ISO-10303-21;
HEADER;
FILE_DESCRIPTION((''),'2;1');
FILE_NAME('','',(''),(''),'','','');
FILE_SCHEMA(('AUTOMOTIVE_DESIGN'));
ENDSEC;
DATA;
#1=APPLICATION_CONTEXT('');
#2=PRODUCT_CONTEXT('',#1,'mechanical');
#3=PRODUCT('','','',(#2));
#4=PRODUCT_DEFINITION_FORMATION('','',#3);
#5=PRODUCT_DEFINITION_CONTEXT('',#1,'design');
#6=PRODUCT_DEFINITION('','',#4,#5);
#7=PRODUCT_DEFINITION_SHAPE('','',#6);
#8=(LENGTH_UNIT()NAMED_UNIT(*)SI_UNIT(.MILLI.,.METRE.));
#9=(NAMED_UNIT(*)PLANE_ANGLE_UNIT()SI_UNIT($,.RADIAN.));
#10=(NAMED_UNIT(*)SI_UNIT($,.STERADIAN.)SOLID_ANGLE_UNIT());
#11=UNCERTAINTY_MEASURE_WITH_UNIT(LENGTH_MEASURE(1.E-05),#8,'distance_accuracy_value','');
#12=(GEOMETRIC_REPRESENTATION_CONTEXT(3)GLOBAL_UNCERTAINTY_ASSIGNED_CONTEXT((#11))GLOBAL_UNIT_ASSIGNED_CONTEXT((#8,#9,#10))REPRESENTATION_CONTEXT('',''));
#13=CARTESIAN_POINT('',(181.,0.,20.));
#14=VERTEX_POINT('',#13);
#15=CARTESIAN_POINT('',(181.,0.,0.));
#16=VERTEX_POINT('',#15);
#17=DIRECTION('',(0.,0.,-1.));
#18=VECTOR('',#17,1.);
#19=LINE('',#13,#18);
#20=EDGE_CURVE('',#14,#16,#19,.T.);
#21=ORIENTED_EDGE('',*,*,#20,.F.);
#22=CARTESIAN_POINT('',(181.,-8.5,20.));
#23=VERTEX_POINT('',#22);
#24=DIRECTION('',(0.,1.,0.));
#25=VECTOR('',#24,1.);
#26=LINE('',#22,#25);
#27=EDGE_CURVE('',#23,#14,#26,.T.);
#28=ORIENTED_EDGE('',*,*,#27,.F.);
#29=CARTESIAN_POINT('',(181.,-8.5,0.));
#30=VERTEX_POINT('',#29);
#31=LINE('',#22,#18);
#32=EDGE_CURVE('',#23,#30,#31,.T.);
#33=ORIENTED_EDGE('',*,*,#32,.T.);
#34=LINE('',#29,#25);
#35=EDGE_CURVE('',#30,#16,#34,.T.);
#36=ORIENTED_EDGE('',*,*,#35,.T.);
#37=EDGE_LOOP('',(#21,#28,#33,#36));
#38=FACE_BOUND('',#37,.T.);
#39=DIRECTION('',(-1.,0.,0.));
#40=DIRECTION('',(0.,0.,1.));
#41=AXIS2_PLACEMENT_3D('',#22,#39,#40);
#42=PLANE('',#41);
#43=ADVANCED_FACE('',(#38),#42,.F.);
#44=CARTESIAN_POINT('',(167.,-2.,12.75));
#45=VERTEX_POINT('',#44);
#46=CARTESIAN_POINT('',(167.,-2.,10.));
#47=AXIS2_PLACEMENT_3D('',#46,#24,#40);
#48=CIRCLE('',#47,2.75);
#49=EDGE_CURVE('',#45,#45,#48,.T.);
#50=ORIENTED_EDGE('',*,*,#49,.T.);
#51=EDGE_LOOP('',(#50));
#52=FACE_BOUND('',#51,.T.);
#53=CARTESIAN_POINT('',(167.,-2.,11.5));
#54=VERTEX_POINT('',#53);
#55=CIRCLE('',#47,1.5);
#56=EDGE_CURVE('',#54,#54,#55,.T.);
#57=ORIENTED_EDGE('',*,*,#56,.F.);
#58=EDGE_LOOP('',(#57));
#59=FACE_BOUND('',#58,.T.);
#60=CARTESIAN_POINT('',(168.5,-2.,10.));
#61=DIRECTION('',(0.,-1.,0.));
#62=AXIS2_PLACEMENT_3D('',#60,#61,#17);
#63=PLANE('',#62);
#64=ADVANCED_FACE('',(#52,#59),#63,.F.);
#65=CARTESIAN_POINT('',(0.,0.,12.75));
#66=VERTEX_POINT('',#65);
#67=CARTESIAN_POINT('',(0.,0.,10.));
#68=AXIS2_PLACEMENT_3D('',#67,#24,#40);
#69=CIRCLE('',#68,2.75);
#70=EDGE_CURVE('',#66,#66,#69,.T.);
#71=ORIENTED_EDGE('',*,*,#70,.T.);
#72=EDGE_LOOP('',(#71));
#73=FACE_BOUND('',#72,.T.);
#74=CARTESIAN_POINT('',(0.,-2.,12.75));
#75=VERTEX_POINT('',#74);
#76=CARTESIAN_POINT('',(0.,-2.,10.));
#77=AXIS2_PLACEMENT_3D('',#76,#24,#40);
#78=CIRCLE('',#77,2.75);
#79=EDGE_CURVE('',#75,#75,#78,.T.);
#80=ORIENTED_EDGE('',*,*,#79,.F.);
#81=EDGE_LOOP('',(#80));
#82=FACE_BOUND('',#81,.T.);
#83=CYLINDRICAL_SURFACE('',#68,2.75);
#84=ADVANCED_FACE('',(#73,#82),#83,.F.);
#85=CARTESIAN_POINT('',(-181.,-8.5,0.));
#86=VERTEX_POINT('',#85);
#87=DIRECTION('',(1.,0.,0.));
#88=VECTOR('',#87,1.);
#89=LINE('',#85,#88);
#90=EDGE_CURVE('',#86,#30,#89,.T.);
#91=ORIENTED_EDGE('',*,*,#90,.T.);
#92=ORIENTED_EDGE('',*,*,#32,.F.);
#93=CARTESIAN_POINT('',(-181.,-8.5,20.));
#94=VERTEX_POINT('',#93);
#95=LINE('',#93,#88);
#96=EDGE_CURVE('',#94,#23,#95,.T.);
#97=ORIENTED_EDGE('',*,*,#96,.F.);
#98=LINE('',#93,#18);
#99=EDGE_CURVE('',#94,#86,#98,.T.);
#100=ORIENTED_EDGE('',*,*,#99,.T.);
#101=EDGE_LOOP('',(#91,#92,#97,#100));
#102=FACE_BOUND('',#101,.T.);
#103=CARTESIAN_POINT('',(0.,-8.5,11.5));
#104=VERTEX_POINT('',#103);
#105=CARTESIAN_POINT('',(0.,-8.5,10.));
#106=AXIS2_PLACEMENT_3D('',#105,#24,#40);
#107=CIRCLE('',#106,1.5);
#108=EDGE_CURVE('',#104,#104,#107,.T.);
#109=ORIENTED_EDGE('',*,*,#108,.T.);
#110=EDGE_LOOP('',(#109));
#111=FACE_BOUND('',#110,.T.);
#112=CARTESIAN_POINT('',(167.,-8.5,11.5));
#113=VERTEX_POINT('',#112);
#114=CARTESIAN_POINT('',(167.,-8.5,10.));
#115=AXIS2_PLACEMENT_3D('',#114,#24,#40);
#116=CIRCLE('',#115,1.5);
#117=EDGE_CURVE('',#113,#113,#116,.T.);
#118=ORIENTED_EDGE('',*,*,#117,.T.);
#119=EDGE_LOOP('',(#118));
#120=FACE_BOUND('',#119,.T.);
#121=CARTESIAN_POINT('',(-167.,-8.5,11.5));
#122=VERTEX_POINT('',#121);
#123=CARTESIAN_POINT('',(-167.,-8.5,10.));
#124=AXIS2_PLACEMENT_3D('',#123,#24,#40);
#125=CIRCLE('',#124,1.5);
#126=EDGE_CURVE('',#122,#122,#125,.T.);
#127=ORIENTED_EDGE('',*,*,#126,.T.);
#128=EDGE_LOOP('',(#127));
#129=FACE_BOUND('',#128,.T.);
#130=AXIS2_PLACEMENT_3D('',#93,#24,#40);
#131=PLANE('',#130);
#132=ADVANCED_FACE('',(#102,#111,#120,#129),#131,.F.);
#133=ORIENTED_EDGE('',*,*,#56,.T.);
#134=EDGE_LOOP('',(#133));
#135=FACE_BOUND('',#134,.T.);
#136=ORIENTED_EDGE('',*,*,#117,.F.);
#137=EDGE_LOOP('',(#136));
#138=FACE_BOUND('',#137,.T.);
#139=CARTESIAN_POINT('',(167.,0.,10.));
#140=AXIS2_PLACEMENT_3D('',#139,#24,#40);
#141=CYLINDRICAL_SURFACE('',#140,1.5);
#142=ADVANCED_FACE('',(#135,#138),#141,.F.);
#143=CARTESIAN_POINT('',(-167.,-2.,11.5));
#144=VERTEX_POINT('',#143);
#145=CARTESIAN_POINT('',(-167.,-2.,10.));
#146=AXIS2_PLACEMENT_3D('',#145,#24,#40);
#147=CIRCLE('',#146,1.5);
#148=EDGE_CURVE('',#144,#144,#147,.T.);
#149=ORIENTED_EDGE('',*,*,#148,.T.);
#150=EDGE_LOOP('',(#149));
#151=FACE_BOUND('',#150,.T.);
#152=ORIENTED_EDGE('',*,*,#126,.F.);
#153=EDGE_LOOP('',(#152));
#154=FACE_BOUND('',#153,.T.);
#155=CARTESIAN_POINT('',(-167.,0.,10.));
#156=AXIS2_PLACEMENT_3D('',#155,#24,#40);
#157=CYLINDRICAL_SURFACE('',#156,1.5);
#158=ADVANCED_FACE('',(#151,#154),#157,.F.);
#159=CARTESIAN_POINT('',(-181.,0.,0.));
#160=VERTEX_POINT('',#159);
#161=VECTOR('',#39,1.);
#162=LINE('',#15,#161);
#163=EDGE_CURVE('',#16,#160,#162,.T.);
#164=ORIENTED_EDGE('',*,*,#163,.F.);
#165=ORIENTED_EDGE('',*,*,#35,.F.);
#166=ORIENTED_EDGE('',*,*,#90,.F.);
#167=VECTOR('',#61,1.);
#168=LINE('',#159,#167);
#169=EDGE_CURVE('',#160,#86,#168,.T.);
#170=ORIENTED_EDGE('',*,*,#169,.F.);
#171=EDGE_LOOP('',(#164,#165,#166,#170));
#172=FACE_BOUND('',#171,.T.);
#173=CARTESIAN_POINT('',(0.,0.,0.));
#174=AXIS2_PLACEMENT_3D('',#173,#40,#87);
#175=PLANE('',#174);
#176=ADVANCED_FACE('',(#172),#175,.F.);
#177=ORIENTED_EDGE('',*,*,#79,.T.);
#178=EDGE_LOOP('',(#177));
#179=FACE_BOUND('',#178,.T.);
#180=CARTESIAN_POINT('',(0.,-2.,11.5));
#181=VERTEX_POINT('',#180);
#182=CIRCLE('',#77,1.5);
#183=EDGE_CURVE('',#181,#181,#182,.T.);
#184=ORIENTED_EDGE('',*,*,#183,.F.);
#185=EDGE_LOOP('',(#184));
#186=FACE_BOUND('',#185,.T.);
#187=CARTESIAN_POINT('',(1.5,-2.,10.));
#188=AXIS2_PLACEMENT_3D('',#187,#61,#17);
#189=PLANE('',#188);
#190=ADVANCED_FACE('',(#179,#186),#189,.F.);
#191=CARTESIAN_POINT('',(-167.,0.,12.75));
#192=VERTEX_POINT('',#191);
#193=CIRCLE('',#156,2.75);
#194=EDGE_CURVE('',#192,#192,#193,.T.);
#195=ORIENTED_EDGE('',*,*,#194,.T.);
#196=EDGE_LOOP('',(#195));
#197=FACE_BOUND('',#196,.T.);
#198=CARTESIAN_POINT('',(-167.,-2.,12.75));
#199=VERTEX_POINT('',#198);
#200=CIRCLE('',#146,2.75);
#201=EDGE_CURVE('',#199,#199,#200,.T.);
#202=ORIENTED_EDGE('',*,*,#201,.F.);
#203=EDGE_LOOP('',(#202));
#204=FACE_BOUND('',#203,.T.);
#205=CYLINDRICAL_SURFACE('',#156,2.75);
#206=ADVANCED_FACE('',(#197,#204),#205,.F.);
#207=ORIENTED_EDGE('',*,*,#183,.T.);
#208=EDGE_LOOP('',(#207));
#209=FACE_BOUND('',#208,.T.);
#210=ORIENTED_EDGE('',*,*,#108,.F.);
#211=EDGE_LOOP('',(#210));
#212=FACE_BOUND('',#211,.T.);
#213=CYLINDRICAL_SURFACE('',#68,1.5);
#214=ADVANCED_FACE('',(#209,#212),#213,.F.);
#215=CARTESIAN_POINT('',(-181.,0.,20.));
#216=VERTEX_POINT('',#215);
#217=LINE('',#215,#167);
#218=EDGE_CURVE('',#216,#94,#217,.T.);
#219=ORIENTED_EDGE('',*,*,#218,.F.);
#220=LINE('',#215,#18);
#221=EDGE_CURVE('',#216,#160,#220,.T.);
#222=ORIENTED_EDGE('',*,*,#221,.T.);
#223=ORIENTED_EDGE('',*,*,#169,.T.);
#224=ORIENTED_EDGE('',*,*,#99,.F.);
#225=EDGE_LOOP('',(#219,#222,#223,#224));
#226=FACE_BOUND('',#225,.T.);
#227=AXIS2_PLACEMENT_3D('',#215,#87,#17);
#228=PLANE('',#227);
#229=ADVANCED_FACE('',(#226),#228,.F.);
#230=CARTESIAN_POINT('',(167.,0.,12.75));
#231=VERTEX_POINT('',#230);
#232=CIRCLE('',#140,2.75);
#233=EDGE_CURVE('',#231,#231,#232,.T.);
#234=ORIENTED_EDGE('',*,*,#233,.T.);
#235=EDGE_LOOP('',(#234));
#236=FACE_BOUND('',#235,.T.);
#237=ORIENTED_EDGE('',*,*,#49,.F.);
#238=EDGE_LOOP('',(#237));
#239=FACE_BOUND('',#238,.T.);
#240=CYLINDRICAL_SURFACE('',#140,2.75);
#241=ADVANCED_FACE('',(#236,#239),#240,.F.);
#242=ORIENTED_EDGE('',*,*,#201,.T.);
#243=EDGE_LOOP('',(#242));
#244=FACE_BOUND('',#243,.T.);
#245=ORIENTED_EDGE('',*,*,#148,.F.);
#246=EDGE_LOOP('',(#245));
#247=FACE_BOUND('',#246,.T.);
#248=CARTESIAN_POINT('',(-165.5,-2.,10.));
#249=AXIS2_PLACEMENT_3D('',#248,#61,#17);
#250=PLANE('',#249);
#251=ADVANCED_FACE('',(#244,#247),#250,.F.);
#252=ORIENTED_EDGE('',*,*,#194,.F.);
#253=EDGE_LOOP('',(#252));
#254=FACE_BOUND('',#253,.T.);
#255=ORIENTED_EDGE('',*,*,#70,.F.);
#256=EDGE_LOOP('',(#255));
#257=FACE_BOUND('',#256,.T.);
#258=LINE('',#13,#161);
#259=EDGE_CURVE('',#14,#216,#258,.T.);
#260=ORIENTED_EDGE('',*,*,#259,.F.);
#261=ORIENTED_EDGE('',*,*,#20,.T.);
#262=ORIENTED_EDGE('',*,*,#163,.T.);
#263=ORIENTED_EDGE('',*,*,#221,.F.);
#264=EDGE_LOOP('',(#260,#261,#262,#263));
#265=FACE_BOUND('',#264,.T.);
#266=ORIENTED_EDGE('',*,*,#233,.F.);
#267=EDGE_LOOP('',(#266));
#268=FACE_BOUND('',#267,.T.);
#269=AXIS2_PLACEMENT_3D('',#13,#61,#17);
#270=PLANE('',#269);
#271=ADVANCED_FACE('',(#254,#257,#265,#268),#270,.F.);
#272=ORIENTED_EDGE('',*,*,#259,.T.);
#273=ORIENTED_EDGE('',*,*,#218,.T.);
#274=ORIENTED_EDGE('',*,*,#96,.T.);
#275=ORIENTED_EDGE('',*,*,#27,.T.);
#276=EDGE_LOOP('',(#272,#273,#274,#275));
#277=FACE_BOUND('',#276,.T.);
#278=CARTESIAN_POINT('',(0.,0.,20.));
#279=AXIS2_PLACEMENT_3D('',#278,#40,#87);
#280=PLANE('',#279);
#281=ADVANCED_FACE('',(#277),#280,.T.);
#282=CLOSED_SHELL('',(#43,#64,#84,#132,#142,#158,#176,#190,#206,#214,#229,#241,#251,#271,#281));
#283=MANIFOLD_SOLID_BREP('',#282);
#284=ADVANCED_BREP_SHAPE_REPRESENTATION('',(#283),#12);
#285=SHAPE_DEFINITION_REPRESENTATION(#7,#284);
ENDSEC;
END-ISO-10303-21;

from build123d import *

# Parameters (mm, degrees)
ESQUISSE1_W                                        = 362
ESQUISSE1_H                                        = 8.5
BOSS_EXTRU_1_DEPTH                                 = 20
CHAMBRAGE_POUR_VIS_T_TE_CYLINDRIQUE_CO_D           = 3
CHAMBRAGE_POUR_VIS_T_TE_CYLINDRIQUE_CO_CBORE_D     = 5.5
CHAMBRAGE_POUR_VIS_T_TE_CYLINDRIQUE_CO_CBORE_DEPTH = 2


with BuildPart() as part:
    # Esquisse1 → Boss.-Extru.1 (new body)
    with BuildSketch(Plane.XY):
        with Locations((0, -4.25)):
            Rectangle(ESQUISSE1_W, ESQUISSE1_H)
    extrude(amount=BOSS_EXTRU_1_DEPTH)

    # Chambrage pour vis à tête cylindrique courte six pans creux M31 (through all)
    with Locations(Plane(origin=(0, 0, 0), x_dir=(1, 0, 0), z_dir=(0, 1, 0))):
        with Locations((-167, -10), (167, -10), (0, -10)):
            CounterBoreHole(CHAMBRAGE_POUR_VIS_T_TE_CYLINDRIQUE_CO_D / 2, CHAMBRAGE_POUR_VIS_T_TE_CYLINDRIQUE_CO_CBORE_D / 2, CHAMBRAGE_POUR_VIS_T_TE_CYLINDRIQUE_CO_CBORE_DEPTH)


solid = part.part
